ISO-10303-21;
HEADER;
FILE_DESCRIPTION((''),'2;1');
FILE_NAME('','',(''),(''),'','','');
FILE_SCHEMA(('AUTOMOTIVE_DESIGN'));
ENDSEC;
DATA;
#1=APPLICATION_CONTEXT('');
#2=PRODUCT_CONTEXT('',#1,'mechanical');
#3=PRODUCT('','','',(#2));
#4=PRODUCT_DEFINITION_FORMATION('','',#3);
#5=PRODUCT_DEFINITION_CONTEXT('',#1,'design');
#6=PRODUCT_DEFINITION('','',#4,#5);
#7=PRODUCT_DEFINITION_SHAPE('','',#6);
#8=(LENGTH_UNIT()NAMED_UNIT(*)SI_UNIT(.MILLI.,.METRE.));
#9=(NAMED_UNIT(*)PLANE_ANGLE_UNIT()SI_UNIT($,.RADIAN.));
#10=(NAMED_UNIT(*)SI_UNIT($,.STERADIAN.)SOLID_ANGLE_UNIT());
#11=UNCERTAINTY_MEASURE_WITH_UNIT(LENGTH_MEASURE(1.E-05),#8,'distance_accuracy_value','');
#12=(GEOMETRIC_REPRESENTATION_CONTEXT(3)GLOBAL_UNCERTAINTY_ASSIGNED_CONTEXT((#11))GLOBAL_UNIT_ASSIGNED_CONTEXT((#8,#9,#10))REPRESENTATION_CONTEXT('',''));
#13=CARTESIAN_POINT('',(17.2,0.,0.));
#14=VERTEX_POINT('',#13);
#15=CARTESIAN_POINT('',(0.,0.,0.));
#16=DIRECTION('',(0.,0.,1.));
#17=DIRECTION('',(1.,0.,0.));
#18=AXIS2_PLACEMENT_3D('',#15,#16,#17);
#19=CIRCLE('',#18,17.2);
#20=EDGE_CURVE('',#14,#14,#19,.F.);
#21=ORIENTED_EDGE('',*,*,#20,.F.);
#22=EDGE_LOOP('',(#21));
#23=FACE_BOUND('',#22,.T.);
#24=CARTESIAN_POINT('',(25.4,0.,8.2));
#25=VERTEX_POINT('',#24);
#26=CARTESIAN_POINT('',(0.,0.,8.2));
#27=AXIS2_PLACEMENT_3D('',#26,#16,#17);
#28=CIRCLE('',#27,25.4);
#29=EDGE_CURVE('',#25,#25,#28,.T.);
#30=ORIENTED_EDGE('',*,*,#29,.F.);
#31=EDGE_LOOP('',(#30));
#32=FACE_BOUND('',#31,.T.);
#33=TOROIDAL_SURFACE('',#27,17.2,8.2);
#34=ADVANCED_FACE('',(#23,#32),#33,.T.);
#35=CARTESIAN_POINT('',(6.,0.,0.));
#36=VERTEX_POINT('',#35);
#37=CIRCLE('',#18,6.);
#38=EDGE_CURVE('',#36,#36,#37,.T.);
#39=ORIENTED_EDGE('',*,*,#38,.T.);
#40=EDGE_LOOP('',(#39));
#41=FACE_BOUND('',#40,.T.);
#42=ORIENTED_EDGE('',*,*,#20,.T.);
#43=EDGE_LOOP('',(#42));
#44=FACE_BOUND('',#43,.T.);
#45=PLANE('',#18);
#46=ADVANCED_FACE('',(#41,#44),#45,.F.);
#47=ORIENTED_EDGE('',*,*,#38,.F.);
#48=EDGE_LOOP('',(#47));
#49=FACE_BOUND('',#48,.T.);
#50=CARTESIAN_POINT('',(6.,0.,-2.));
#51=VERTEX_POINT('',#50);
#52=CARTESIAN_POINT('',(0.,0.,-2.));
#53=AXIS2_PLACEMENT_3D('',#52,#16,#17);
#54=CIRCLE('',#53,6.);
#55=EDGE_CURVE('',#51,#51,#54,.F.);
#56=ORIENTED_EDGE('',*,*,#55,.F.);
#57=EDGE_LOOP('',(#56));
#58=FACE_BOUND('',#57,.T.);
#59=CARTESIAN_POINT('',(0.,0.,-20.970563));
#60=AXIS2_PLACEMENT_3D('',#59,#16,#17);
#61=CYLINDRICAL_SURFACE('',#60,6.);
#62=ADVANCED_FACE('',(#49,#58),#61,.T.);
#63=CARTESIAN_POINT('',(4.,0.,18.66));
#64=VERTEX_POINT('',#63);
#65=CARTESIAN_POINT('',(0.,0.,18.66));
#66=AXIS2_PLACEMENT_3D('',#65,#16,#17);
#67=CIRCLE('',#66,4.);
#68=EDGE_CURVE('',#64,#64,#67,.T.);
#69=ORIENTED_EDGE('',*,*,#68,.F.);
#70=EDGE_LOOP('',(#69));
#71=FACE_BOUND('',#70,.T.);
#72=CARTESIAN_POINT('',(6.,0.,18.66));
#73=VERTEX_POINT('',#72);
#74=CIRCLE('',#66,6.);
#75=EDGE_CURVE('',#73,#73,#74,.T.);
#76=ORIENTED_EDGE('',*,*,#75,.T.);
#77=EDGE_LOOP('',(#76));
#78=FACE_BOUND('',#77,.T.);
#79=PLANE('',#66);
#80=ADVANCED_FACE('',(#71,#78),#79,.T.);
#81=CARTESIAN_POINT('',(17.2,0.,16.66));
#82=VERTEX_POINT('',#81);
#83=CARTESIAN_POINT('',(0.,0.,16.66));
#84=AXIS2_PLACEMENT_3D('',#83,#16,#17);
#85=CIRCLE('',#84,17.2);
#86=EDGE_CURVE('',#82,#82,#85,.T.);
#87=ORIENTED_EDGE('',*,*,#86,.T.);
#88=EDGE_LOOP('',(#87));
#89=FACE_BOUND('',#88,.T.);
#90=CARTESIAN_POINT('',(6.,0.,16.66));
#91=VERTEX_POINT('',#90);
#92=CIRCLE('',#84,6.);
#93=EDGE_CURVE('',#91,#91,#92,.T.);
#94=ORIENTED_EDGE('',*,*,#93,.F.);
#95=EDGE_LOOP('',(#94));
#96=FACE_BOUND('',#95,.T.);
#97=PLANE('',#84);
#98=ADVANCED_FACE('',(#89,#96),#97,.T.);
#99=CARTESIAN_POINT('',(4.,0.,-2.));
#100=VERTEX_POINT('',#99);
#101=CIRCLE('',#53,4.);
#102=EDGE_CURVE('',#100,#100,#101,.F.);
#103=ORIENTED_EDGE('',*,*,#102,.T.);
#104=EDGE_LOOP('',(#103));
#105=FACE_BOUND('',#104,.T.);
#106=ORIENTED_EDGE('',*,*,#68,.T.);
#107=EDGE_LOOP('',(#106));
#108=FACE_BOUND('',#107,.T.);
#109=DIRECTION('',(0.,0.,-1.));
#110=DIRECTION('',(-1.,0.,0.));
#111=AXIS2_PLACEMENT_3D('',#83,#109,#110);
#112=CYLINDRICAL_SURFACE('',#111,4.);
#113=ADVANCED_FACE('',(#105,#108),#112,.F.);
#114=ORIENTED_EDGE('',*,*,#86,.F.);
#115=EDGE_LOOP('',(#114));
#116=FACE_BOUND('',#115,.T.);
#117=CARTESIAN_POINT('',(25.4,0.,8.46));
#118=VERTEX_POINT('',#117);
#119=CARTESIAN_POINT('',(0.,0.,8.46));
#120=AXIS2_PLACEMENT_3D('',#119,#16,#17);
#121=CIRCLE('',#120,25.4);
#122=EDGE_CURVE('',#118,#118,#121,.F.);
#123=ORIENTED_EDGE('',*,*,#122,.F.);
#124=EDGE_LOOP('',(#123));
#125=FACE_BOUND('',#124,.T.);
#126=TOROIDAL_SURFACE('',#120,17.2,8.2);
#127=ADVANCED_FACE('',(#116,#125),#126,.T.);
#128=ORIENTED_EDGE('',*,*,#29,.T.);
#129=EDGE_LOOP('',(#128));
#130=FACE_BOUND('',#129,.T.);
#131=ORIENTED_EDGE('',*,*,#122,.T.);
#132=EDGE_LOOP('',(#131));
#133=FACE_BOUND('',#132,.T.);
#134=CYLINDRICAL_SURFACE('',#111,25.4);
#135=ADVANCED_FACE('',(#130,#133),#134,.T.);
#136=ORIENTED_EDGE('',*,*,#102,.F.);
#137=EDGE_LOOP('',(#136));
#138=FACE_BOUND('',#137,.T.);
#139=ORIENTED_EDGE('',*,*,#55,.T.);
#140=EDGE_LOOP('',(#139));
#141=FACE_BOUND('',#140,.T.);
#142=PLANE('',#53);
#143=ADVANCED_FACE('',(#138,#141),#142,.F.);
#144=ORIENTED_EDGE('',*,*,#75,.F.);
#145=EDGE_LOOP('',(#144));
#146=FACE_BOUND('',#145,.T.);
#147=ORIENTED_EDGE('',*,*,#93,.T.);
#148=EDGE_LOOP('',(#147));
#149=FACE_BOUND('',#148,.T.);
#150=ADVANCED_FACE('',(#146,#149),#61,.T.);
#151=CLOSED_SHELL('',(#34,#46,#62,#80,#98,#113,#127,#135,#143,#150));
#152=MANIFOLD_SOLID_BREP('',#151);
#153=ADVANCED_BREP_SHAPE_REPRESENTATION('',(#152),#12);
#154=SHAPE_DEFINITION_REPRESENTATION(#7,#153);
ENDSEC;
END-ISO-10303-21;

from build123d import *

# Parameters (mm, degrees)
ESQUISSE1_R             = 25.4
ESQUISSE1_R_2           = 4
BOSS_EXTRU_1_DEPTH      = 16.66
BOSS_EXTRU_2_DEPTH      = 2
BOSS_EXTRU_2_DEPTH_BACK = 18.66
ESQUISSE2_R             = 6
ESQUISSE2_R_2           = 4
CONG_1_R                = 8.2


with BuildPart() as part:
    # Esquisse1 → Boss.-Extru.1 (new body)
    with BuildSketch(Plane.XY):
        Circle(ESQUISSE1_R)
        Circle(ESQUISSE1_R_2, mode=Mode.SUBTRACT)
    extrude(amount=BOSS_EXTRU_1_DEPTH)

    # Esquisse2 → Boss.-Extru.2 (add, two sides: drawn at the far end of the back side and taken through both)
    with BuildSketch(Plane.XY.offset(16.66).offset(-BOSS_EXTRU_2_DEPTH_BACK)):
        Circle(ESQUISSE2_R)
        Circle(ESQUISSE2_R_2, mode=Mode.SUBTRACT)
    extrude(amount=BOSS_EXTRU_2_DEPTH + BOSS_EXTRU_2_DEPTH_BACK)

    # Congé1
    cong_1_edges = [part.edges().sort_by_distance(p)[0] for p in [
        (-25.4, 0, 0),
        (-25.4, 0, 16.66),
    ]]
    fillet(cong_1_edges, radius=CONG_1_R)


solid = part.part
